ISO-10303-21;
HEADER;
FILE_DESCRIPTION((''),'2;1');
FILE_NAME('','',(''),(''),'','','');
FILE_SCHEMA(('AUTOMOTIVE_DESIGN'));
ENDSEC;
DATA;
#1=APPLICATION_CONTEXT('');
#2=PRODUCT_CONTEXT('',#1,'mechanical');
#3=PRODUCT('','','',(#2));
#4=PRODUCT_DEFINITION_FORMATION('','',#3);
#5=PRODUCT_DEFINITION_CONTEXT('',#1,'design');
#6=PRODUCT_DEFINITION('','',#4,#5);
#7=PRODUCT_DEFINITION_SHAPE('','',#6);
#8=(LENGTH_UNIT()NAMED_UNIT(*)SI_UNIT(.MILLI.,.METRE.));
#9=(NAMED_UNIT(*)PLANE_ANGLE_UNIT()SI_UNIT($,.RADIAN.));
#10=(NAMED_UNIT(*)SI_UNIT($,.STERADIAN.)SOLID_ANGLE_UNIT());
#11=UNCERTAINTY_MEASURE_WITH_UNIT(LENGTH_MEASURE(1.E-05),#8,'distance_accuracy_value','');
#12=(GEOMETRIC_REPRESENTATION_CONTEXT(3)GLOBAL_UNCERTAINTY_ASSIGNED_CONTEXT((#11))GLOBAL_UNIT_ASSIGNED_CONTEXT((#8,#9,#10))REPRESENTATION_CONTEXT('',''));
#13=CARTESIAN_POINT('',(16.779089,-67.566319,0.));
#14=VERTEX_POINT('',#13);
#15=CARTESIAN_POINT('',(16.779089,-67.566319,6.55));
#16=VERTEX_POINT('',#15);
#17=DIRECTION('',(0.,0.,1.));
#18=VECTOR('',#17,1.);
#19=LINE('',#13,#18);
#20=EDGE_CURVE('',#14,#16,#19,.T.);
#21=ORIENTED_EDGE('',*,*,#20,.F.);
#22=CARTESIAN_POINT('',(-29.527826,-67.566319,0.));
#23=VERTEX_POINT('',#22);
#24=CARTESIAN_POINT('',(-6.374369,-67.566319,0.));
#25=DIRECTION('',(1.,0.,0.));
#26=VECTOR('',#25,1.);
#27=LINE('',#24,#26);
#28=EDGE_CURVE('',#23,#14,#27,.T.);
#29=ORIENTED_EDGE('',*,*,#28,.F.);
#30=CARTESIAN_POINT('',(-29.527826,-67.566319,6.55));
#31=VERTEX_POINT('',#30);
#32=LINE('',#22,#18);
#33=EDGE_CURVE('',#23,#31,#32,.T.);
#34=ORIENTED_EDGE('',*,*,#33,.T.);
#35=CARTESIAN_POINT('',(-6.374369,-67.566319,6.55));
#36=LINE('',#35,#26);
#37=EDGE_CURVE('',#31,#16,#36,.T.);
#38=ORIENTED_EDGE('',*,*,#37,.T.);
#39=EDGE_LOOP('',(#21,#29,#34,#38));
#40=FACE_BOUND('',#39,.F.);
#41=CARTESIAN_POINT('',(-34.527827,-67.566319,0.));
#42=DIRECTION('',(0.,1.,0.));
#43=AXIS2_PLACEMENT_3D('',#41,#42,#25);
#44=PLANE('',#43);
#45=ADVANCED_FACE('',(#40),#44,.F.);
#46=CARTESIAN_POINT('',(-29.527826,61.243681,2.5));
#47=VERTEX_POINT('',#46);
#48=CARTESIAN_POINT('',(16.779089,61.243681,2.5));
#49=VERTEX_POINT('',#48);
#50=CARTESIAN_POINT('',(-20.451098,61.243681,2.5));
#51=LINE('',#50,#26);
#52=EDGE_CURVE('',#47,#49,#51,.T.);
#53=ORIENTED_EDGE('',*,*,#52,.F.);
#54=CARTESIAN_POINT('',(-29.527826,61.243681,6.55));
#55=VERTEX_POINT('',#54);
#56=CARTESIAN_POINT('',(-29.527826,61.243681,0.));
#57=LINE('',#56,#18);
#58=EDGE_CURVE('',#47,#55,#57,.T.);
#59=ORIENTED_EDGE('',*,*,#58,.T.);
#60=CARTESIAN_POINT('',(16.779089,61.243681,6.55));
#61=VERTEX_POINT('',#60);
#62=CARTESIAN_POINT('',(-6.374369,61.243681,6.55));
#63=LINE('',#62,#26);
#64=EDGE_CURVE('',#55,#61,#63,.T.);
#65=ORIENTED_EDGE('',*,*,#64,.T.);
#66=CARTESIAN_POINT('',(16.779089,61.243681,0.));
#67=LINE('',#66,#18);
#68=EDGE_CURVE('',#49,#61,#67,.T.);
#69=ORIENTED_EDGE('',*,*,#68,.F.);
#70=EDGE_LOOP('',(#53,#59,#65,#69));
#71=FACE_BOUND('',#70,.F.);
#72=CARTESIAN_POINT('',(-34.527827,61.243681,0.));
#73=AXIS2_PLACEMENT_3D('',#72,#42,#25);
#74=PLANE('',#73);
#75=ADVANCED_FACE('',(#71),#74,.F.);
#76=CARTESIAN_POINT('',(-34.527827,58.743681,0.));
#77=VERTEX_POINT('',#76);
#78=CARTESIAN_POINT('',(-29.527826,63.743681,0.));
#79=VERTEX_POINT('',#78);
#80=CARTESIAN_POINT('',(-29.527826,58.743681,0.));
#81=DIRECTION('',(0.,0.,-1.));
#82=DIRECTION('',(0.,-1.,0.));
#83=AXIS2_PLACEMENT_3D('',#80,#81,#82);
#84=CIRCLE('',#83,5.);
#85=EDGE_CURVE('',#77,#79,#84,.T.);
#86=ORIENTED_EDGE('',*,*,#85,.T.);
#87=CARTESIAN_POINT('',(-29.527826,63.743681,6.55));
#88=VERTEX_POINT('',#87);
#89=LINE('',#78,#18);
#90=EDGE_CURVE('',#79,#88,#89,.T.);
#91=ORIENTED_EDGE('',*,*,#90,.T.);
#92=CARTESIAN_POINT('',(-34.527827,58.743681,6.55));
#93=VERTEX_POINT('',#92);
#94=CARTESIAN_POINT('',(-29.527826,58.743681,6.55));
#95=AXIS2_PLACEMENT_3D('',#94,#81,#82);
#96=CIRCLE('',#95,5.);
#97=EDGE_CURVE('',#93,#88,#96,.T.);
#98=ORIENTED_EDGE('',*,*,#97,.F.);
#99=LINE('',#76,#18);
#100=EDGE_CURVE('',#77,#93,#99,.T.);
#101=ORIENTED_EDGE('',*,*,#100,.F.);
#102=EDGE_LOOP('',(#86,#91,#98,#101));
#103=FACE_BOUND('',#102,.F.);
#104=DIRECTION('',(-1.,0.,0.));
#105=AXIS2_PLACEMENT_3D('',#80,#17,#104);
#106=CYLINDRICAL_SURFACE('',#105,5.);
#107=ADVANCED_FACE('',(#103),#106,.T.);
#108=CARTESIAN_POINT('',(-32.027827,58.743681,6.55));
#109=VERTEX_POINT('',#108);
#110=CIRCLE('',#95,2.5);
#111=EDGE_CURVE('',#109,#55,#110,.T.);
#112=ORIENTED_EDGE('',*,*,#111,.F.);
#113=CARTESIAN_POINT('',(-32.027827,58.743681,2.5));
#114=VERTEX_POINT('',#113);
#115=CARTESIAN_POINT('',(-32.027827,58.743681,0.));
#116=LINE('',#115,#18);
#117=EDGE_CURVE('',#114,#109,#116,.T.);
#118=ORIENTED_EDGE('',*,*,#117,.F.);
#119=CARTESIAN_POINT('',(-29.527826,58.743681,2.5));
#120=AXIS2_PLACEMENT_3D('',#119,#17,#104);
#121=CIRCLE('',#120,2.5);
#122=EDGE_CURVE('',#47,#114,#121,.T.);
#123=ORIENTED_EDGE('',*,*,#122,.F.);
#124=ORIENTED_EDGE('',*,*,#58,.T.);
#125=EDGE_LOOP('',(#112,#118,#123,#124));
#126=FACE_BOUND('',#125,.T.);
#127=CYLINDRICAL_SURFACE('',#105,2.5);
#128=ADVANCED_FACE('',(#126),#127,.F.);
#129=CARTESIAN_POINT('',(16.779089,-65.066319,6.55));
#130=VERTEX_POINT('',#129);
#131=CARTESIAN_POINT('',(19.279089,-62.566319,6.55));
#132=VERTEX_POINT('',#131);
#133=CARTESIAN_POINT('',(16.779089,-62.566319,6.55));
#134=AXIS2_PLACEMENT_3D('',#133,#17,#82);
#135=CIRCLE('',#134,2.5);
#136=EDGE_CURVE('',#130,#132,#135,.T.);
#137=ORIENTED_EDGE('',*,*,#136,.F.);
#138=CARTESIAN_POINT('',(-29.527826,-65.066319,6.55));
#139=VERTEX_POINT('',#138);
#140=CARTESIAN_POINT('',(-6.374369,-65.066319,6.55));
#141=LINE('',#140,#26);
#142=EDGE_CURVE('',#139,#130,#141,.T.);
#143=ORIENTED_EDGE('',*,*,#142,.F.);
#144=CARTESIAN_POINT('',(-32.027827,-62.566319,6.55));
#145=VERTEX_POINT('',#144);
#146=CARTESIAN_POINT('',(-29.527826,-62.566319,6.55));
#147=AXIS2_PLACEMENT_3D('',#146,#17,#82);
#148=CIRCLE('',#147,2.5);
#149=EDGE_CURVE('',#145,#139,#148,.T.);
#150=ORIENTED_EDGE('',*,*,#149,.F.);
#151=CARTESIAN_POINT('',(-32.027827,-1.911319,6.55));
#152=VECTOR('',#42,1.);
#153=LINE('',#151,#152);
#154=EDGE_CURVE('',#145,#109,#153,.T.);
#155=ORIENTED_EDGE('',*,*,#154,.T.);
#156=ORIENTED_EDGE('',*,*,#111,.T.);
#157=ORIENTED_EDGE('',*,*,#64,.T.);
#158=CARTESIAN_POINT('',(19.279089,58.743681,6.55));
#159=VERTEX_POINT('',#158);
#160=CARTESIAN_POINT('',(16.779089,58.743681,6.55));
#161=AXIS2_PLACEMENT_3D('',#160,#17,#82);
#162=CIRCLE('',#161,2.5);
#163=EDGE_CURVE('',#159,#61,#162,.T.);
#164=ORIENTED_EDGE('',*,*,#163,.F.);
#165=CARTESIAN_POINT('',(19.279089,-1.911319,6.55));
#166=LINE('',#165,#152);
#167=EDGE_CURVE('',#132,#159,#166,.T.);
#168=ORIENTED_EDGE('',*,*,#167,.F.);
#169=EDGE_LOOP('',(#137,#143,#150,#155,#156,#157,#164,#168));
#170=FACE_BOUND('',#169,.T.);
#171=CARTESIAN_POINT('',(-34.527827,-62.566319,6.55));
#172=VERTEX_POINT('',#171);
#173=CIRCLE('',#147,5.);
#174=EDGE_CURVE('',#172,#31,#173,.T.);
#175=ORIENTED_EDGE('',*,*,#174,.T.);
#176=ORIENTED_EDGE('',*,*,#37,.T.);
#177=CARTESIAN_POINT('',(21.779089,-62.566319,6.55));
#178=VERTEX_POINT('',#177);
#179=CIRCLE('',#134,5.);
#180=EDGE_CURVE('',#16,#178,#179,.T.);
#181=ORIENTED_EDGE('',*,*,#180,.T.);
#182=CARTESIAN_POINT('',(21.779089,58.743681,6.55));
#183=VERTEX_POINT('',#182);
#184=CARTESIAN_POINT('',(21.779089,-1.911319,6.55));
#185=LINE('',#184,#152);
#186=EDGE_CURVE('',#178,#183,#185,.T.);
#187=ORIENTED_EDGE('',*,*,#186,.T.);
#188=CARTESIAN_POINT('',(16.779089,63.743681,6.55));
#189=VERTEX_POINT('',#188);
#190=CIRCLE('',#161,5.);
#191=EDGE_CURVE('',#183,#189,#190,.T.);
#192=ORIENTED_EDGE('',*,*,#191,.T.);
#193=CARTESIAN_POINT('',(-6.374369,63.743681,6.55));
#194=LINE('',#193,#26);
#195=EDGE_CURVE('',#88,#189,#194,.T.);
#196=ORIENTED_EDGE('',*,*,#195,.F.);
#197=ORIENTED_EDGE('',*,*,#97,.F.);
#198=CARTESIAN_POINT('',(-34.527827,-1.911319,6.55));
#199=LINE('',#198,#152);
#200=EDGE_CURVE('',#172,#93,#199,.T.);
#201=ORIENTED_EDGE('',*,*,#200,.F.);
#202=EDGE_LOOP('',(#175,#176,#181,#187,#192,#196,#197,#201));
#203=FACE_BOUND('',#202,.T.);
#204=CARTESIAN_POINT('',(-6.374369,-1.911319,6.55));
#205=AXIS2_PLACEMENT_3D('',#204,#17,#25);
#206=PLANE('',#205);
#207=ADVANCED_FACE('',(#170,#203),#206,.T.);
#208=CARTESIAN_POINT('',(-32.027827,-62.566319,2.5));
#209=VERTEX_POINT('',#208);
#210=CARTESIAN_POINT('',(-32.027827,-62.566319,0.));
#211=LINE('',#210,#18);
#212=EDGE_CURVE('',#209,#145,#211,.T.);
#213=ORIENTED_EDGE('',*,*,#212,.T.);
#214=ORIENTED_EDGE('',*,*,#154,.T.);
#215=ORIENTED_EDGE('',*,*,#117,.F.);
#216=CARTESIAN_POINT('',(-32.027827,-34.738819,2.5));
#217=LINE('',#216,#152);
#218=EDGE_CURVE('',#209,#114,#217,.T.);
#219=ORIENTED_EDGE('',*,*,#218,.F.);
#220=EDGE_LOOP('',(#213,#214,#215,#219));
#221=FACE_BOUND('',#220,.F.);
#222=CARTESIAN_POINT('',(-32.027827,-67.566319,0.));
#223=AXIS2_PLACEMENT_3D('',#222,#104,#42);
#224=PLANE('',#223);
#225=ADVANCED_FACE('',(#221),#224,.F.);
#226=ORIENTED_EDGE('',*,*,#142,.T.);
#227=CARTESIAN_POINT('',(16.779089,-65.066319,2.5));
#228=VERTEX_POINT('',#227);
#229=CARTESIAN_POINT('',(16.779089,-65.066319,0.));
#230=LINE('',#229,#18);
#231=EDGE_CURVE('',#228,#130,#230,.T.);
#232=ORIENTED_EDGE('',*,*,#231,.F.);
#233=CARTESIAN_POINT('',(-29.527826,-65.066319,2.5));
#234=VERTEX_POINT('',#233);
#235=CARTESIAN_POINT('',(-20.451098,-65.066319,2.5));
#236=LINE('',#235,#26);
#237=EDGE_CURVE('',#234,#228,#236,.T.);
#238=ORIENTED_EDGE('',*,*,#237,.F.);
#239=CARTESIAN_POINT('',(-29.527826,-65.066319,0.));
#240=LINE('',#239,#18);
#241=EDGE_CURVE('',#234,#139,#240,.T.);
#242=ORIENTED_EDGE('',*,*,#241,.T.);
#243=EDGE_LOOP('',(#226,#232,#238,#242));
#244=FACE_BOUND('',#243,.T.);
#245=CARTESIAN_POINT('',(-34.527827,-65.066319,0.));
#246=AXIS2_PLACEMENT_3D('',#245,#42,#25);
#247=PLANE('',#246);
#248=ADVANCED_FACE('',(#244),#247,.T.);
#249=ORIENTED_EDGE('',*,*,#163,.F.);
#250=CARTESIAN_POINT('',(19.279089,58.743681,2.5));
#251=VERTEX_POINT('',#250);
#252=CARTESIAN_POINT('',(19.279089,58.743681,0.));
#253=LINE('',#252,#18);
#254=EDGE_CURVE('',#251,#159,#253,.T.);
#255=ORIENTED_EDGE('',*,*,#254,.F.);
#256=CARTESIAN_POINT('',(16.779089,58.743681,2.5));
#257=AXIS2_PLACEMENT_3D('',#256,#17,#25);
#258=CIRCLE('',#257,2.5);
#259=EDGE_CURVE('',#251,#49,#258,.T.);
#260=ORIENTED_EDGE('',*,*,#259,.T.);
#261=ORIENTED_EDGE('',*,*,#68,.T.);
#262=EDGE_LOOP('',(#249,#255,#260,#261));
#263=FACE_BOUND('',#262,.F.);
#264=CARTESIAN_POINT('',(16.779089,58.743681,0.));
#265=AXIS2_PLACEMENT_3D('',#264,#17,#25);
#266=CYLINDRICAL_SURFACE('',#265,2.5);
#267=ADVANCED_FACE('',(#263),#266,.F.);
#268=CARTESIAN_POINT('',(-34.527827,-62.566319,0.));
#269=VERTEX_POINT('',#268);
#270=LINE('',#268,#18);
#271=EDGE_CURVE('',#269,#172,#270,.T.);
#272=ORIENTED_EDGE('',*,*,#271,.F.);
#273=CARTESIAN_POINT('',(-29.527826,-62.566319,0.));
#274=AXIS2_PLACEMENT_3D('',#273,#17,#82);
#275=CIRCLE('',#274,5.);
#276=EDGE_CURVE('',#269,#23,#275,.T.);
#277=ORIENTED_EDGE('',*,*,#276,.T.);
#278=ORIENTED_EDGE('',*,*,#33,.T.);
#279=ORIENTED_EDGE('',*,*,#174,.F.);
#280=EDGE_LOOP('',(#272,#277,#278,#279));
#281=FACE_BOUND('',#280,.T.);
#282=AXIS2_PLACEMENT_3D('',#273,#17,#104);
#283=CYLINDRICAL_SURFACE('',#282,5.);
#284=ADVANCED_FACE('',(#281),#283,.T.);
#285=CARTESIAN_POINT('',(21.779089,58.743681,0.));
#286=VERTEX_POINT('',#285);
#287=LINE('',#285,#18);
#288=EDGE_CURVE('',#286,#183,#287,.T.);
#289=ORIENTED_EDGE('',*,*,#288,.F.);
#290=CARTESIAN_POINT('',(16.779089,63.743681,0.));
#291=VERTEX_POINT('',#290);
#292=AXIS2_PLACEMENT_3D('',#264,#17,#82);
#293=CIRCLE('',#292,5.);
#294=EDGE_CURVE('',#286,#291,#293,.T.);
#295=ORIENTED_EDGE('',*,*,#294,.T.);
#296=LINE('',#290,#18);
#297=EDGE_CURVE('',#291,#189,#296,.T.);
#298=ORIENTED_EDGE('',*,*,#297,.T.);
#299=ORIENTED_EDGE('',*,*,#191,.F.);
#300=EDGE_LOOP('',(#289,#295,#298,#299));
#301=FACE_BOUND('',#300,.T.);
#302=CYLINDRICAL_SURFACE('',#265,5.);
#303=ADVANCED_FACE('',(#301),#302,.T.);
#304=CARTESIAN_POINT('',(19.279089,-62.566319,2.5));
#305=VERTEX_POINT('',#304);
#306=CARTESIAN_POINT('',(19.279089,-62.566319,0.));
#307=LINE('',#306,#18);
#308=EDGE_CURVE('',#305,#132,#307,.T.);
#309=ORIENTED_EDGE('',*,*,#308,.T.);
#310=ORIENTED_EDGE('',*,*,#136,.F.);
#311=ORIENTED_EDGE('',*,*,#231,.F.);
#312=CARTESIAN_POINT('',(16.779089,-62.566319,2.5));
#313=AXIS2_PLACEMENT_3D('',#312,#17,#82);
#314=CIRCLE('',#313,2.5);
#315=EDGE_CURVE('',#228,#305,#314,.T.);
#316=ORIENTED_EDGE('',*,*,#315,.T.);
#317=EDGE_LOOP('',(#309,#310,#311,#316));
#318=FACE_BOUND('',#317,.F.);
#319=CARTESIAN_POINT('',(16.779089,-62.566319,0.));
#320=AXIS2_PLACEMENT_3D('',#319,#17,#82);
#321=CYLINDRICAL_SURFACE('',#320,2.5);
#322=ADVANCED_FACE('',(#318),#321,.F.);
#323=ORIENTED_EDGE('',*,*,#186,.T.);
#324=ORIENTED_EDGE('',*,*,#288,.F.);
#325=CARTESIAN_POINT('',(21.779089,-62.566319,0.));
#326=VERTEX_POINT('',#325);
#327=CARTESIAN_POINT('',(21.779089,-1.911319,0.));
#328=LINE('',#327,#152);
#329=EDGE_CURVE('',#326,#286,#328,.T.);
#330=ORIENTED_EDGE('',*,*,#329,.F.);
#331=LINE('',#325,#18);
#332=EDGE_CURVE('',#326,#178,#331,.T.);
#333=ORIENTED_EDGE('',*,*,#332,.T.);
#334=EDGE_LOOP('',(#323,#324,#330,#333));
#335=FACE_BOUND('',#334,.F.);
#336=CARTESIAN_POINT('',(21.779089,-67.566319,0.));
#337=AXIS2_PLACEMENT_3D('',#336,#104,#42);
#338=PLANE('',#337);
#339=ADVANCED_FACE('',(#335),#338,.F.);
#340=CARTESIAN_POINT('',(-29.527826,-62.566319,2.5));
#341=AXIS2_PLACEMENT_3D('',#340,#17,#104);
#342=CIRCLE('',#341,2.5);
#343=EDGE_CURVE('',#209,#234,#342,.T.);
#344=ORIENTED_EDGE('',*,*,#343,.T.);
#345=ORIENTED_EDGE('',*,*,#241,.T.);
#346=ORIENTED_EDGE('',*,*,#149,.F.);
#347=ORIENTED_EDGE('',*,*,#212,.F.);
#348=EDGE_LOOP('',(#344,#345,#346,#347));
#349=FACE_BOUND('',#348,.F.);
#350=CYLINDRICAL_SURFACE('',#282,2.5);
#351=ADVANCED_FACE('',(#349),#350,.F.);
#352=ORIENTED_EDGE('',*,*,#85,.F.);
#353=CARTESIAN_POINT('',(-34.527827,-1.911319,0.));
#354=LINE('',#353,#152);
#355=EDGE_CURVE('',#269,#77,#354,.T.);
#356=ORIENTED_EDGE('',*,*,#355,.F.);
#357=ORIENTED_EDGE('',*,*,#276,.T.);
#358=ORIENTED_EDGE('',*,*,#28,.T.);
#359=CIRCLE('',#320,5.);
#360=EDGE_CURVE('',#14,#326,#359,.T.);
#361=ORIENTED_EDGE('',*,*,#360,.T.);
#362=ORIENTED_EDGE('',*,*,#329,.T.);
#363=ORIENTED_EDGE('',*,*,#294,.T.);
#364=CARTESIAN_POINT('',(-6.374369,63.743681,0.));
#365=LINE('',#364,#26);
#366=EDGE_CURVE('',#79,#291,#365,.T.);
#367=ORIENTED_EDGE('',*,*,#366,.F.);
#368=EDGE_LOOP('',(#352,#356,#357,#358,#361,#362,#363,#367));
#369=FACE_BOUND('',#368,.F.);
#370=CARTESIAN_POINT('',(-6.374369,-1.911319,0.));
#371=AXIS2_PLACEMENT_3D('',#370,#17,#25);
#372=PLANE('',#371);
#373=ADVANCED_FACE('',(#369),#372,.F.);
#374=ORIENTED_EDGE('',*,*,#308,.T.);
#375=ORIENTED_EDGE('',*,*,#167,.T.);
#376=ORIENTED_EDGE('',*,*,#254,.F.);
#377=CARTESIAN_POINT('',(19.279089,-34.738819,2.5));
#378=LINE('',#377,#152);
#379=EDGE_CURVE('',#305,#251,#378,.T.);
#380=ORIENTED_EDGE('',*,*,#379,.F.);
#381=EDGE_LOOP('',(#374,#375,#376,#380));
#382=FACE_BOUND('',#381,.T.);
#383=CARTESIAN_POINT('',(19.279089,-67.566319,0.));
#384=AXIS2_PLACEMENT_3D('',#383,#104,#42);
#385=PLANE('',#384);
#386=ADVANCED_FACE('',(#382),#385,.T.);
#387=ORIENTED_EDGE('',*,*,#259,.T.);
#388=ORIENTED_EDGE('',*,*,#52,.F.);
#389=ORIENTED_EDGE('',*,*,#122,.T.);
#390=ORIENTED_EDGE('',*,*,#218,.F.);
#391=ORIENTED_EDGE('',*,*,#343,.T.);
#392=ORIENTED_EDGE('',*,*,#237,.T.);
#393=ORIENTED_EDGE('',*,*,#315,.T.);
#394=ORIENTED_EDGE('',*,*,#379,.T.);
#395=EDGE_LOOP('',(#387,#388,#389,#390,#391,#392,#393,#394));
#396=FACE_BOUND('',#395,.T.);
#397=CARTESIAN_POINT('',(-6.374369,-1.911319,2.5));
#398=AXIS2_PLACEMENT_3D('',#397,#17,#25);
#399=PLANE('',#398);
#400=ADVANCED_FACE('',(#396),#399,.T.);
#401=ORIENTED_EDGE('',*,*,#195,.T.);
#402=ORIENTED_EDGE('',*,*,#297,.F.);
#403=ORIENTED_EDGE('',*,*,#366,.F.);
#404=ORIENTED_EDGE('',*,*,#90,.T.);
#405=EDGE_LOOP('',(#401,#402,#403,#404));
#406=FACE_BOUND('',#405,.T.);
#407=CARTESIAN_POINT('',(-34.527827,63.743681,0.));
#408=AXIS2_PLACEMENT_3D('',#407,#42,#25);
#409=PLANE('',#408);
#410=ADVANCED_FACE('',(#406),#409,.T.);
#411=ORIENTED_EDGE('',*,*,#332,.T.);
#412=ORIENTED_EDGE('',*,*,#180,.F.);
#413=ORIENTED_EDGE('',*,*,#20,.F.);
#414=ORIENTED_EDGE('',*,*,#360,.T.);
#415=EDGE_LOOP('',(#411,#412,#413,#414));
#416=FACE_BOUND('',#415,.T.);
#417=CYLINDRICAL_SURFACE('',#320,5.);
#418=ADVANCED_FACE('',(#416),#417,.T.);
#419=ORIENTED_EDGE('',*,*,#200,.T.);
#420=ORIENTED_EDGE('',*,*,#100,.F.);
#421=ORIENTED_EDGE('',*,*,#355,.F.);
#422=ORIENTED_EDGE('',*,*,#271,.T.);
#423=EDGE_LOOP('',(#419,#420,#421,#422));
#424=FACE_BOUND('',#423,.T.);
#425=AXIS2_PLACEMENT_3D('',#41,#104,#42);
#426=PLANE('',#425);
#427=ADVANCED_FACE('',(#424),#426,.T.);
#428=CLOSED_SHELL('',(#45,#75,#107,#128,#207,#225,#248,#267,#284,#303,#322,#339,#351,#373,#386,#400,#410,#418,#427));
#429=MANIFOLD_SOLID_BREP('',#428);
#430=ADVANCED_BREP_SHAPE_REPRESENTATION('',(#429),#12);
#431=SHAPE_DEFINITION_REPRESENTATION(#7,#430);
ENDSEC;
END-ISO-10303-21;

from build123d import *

# Parameters (mm, degrees)
F0_W     = 56.306915
F0_H     = 131.31
F1_DEPTH = 6.55
F2_R     = 5
F3_T     = -2.5


with BuildPart() as f1:
    # F0 (on Top) → F1 (new body)
    with BuildSketch(Plane.XY):
        with Locations((-6.374369, -1.911319)):
            Rectangle(F0_W, F0_H)
    extrude(amount=F1_DEPTH)

    # F2
    f2_edges = [f1.edges().sort_by_distance(p)[0] for p in [
        (21.779088, 63.743681, 3.275),
        (21.779088, -67.566319, 3.275),
        (-34.527827, -67.566319, 3.275),
        (-34.527827, 63.743681, 3.275),
    ]]
    fillet(f2_edges, radius=F2_R)

    # F3
    f3_openings = [f1.faces().sort_by_distance(p)[0] for p in [
        (-6.374369, -1.911319, 6.55),
    ]]
    offset(amount=F3_T, openings=f3_openings)


solid = f1.part
